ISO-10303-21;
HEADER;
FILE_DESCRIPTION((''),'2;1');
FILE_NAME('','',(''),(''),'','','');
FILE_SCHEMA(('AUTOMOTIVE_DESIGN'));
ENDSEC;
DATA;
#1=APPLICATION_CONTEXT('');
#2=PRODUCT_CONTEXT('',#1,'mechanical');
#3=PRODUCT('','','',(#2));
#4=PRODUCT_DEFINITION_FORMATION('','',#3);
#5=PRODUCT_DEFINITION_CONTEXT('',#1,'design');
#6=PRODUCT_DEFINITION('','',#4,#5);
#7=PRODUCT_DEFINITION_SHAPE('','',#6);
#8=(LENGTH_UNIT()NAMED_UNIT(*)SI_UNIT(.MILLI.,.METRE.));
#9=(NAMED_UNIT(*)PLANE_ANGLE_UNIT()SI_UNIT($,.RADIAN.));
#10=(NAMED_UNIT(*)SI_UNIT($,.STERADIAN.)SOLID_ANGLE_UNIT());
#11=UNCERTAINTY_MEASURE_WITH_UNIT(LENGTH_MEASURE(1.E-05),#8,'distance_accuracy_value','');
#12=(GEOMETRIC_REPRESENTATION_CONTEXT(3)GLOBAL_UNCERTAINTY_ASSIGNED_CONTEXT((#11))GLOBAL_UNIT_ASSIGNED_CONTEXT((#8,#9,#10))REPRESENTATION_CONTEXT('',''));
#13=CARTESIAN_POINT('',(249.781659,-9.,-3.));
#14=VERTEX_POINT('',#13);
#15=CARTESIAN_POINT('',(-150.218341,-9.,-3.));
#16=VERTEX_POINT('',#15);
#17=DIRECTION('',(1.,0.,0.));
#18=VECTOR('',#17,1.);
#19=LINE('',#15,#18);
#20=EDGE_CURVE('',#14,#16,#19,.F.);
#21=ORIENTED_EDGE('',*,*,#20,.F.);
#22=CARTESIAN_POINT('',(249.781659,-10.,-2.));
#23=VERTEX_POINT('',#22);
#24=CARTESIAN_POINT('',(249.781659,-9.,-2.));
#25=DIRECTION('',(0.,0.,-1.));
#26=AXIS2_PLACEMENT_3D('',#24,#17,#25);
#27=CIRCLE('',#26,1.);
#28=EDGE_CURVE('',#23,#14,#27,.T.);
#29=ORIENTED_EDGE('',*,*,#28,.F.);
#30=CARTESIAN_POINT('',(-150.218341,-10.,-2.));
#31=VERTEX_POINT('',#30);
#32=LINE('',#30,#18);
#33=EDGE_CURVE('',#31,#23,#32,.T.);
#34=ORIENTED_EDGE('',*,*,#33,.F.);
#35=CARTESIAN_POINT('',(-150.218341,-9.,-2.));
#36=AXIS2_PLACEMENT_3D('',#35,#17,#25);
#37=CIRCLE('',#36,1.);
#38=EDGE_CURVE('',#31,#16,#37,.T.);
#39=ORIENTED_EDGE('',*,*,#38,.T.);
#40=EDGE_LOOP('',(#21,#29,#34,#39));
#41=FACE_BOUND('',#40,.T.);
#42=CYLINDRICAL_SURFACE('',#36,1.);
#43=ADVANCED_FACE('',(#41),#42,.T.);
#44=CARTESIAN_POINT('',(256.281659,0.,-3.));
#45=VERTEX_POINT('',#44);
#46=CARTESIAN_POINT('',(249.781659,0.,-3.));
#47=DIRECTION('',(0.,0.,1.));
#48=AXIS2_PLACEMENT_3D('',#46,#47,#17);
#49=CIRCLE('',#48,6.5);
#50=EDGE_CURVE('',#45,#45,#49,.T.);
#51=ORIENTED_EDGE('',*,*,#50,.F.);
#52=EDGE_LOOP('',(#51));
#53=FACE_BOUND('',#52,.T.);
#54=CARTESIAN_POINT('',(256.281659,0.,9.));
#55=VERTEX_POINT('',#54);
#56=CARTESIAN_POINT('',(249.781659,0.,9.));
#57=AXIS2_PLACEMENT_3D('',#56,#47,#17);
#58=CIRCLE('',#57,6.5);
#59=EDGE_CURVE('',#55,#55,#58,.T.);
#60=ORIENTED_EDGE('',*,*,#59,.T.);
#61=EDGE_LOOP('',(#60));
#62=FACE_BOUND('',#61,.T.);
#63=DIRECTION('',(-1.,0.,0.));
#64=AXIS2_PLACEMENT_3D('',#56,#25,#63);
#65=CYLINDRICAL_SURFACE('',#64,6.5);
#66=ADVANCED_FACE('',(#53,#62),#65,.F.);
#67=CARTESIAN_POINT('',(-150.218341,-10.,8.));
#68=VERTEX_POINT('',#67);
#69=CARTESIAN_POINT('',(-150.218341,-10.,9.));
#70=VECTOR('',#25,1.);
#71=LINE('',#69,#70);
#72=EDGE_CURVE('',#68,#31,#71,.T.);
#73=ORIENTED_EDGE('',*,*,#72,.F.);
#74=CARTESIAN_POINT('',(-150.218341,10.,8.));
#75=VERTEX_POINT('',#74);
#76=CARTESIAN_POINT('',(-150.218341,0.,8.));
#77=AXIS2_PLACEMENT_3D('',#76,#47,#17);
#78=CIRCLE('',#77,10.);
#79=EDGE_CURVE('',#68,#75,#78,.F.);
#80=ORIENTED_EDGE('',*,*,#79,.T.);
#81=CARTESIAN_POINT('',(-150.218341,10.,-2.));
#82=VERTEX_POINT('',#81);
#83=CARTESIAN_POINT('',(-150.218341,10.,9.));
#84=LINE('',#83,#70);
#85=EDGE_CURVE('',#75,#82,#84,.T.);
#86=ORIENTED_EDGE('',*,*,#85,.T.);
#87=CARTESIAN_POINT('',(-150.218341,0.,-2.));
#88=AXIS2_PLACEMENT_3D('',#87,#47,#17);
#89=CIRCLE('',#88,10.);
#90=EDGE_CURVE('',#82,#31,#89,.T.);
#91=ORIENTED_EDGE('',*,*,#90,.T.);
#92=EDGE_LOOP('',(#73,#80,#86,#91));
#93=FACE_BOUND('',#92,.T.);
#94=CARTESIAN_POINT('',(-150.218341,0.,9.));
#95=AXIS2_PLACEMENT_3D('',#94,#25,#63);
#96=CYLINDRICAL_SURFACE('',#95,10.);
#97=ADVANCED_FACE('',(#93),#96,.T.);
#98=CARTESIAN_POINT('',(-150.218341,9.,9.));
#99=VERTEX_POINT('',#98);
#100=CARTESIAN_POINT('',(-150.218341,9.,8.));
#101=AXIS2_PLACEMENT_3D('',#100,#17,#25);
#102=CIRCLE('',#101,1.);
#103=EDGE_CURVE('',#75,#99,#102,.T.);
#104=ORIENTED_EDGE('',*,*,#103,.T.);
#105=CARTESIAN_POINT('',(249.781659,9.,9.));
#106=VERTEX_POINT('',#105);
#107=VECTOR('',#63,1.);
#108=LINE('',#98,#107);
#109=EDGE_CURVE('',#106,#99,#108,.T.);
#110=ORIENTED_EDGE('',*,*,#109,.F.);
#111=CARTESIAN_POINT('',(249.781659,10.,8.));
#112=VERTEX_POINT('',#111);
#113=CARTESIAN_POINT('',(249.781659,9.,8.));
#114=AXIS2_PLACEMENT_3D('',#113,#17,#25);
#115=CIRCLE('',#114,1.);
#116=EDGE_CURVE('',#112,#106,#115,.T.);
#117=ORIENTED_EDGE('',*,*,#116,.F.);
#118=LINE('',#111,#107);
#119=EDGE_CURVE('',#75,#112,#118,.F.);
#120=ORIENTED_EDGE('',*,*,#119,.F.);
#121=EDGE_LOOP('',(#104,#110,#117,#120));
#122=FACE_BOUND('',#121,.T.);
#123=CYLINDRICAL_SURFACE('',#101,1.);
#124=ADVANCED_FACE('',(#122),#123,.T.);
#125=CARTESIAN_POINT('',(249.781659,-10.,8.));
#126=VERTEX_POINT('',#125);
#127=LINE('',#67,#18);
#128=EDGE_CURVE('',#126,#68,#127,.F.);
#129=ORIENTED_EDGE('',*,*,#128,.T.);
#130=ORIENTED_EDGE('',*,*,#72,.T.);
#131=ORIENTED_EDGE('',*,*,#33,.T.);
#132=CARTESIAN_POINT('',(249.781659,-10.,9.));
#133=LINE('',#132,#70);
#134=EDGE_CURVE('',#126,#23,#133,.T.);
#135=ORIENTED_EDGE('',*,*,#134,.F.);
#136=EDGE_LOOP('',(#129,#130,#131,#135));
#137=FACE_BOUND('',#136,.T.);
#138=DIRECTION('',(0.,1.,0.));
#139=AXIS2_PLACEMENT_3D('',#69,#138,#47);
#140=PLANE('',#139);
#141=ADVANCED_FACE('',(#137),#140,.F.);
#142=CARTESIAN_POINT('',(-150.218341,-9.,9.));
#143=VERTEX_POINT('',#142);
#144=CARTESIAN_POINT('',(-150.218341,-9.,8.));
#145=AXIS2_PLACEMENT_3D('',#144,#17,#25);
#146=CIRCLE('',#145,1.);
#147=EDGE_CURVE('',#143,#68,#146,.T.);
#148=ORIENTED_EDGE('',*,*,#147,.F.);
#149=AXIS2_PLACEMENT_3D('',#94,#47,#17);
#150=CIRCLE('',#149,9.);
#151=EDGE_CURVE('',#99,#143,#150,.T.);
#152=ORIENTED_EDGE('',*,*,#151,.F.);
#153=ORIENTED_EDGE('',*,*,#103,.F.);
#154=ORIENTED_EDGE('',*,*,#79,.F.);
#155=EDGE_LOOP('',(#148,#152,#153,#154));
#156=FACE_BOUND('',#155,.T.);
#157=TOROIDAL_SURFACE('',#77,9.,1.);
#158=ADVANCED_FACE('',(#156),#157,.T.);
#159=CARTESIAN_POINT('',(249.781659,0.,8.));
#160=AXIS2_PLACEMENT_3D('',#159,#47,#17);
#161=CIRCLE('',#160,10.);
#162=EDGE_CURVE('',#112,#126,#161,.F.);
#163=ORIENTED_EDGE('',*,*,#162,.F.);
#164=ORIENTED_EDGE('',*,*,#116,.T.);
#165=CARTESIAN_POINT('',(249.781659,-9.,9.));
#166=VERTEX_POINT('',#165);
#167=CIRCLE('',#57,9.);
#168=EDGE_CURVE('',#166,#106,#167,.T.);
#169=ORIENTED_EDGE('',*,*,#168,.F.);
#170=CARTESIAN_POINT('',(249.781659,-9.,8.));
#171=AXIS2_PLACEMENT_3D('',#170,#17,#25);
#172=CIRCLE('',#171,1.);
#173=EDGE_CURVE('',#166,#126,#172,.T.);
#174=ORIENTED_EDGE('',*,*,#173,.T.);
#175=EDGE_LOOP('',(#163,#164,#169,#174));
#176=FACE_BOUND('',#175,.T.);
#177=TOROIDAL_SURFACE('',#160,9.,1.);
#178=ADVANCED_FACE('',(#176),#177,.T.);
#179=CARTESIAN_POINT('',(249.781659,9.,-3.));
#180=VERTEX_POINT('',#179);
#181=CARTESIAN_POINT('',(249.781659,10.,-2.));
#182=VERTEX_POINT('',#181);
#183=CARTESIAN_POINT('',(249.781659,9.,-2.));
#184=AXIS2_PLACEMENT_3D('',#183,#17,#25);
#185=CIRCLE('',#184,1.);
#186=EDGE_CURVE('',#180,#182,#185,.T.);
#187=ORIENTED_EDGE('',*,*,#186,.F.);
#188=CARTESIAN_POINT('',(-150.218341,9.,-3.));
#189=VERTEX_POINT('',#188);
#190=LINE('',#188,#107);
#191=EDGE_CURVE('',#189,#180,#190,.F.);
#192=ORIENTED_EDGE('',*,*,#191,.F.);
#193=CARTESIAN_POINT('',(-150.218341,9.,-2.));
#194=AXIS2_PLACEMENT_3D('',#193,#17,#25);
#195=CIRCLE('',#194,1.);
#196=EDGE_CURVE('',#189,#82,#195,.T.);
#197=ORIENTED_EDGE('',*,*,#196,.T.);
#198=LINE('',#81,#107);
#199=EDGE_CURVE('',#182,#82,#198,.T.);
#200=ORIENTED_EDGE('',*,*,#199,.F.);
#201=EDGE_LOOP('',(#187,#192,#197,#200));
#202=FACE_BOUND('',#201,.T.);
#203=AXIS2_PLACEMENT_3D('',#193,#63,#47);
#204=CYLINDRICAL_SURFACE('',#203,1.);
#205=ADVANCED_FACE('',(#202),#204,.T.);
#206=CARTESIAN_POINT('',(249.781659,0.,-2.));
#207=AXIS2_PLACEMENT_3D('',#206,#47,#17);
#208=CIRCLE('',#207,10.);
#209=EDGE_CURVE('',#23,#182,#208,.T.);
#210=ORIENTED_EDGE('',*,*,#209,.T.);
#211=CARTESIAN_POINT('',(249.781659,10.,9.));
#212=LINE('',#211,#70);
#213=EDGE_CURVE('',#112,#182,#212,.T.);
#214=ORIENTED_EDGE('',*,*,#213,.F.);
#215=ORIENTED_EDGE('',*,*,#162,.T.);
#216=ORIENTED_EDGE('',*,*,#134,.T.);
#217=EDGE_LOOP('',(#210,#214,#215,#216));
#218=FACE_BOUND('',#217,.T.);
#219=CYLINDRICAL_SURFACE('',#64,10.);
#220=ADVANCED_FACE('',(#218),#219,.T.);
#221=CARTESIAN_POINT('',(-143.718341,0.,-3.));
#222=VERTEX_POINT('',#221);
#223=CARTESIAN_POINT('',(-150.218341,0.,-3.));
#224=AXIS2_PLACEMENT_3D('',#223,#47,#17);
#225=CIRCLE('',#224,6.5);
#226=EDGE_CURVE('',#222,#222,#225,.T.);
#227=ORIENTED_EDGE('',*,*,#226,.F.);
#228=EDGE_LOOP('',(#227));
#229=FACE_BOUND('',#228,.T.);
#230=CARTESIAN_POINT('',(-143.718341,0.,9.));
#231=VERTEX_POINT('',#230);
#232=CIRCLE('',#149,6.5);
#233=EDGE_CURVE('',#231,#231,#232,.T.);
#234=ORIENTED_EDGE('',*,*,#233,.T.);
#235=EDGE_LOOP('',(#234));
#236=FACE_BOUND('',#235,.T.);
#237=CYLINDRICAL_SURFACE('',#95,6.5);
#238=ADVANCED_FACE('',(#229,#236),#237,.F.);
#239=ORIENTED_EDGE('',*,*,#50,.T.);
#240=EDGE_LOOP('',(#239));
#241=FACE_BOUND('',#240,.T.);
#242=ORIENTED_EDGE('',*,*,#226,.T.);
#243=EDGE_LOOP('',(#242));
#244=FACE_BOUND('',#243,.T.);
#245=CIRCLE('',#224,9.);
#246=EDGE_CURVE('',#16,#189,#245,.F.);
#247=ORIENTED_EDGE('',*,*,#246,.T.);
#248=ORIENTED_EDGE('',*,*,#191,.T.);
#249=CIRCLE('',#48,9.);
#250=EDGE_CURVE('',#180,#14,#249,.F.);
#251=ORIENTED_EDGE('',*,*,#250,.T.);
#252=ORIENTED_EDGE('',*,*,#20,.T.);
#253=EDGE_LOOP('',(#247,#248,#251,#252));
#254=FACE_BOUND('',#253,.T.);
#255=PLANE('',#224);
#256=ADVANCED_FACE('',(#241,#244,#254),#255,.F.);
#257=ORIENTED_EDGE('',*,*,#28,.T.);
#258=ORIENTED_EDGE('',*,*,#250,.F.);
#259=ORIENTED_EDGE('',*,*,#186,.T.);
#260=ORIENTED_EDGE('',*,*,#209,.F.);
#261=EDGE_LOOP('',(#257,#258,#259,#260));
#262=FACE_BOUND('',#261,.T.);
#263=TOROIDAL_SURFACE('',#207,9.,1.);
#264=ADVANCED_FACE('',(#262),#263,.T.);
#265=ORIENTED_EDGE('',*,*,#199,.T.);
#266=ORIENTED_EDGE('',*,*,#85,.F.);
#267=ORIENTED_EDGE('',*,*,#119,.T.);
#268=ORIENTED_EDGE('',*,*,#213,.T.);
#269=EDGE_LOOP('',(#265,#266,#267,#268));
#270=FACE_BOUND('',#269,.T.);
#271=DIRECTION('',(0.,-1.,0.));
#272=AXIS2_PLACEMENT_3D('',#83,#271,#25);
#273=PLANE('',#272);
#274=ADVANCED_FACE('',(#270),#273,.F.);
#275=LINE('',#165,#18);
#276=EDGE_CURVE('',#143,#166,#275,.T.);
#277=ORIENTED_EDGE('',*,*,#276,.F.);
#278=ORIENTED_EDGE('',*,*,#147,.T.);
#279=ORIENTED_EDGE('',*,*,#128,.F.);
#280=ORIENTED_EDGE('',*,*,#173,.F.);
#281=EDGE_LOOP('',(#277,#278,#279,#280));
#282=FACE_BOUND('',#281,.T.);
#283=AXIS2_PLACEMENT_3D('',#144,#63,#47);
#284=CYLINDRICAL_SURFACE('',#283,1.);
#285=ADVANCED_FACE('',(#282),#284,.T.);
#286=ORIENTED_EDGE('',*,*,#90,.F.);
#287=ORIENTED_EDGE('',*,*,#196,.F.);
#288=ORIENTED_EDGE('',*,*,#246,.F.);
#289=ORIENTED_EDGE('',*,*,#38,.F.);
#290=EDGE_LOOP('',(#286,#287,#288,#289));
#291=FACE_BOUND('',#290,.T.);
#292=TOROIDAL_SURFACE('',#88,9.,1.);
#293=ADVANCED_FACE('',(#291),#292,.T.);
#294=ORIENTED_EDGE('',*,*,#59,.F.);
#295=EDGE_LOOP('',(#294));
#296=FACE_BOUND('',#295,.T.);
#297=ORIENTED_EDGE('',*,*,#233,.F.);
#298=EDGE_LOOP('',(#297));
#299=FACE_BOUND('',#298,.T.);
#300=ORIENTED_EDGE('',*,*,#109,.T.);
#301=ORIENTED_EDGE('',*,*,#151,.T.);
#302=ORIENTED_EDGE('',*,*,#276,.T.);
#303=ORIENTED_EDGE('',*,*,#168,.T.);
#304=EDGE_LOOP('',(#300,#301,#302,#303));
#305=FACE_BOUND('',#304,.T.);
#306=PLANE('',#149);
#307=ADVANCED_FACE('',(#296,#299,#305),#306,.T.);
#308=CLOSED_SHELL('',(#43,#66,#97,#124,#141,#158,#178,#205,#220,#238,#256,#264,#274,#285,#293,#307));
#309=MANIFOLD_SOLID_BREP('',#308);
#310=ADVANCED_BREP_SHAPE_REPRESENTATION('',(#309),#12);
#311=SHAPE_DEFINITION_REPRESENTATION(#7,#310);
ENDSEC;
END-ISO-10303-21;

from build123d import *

# Parameters (mm, degrees)
SKETCH1_R           = 3.25
BOSS_EXTRUDE1_DEPTH = 6
FILLET1_R           = 0.5
SCALE_1_SCALE       = 2


with BuildPart() as part:
    # Sketch1 → Boss-Extrude1 (new body)
    with BuildSketch(Plane.XY):
        with BuildLine():
            Line((-50.218340611, 5), (149.781659389, 5))
            ThreePointArc((149.781659389, 5), (154.781659389, 0), (149.781659389, -5))
            Line((149.781659389, -5), (-50.218340611, -5))
            ThreePointArc((-50.218340611, -5), (-55.218340611, 0), (-50.218340611, 5))
        make_face()
        with Locations((-50.218340611, 0)):
            Circle(SKETCH1_R, mode=Mode.SUBTRACT)
        with Locations((149.781659389, 0)):
            Circle(SKETCH1_R, mode=Mode.SUBTRACT)
    extrude(amount=BOSS_EXTRUDE1_DEPTH)

    # Fillet1
    fillet1_edges = [part.edges().sort_by_distance(p)[0] for p in [
        (154.781659389, 0, 6),
        (49.781659389, 5, 6),
        (-55.218340611, 0, 6),
        (49.781659389, 5, 0),
        (154.781659389, 0, 0),
        (49.781659389, -5, 0),
        (-55.218340611, 0, 0),
        (49.781659389, -5, 6),
    ]]
    fillet(fillet1_edges, radius=FILLET1_R)


with BuildPart() as part_1:
    # 缩放比例1: scaled about (49.781659389, 0, 3)
    add(part.part.scale(SCALE_1_SCALE).moved(Location((-49.781659389, 0, -3))))


solid = part_1.part
